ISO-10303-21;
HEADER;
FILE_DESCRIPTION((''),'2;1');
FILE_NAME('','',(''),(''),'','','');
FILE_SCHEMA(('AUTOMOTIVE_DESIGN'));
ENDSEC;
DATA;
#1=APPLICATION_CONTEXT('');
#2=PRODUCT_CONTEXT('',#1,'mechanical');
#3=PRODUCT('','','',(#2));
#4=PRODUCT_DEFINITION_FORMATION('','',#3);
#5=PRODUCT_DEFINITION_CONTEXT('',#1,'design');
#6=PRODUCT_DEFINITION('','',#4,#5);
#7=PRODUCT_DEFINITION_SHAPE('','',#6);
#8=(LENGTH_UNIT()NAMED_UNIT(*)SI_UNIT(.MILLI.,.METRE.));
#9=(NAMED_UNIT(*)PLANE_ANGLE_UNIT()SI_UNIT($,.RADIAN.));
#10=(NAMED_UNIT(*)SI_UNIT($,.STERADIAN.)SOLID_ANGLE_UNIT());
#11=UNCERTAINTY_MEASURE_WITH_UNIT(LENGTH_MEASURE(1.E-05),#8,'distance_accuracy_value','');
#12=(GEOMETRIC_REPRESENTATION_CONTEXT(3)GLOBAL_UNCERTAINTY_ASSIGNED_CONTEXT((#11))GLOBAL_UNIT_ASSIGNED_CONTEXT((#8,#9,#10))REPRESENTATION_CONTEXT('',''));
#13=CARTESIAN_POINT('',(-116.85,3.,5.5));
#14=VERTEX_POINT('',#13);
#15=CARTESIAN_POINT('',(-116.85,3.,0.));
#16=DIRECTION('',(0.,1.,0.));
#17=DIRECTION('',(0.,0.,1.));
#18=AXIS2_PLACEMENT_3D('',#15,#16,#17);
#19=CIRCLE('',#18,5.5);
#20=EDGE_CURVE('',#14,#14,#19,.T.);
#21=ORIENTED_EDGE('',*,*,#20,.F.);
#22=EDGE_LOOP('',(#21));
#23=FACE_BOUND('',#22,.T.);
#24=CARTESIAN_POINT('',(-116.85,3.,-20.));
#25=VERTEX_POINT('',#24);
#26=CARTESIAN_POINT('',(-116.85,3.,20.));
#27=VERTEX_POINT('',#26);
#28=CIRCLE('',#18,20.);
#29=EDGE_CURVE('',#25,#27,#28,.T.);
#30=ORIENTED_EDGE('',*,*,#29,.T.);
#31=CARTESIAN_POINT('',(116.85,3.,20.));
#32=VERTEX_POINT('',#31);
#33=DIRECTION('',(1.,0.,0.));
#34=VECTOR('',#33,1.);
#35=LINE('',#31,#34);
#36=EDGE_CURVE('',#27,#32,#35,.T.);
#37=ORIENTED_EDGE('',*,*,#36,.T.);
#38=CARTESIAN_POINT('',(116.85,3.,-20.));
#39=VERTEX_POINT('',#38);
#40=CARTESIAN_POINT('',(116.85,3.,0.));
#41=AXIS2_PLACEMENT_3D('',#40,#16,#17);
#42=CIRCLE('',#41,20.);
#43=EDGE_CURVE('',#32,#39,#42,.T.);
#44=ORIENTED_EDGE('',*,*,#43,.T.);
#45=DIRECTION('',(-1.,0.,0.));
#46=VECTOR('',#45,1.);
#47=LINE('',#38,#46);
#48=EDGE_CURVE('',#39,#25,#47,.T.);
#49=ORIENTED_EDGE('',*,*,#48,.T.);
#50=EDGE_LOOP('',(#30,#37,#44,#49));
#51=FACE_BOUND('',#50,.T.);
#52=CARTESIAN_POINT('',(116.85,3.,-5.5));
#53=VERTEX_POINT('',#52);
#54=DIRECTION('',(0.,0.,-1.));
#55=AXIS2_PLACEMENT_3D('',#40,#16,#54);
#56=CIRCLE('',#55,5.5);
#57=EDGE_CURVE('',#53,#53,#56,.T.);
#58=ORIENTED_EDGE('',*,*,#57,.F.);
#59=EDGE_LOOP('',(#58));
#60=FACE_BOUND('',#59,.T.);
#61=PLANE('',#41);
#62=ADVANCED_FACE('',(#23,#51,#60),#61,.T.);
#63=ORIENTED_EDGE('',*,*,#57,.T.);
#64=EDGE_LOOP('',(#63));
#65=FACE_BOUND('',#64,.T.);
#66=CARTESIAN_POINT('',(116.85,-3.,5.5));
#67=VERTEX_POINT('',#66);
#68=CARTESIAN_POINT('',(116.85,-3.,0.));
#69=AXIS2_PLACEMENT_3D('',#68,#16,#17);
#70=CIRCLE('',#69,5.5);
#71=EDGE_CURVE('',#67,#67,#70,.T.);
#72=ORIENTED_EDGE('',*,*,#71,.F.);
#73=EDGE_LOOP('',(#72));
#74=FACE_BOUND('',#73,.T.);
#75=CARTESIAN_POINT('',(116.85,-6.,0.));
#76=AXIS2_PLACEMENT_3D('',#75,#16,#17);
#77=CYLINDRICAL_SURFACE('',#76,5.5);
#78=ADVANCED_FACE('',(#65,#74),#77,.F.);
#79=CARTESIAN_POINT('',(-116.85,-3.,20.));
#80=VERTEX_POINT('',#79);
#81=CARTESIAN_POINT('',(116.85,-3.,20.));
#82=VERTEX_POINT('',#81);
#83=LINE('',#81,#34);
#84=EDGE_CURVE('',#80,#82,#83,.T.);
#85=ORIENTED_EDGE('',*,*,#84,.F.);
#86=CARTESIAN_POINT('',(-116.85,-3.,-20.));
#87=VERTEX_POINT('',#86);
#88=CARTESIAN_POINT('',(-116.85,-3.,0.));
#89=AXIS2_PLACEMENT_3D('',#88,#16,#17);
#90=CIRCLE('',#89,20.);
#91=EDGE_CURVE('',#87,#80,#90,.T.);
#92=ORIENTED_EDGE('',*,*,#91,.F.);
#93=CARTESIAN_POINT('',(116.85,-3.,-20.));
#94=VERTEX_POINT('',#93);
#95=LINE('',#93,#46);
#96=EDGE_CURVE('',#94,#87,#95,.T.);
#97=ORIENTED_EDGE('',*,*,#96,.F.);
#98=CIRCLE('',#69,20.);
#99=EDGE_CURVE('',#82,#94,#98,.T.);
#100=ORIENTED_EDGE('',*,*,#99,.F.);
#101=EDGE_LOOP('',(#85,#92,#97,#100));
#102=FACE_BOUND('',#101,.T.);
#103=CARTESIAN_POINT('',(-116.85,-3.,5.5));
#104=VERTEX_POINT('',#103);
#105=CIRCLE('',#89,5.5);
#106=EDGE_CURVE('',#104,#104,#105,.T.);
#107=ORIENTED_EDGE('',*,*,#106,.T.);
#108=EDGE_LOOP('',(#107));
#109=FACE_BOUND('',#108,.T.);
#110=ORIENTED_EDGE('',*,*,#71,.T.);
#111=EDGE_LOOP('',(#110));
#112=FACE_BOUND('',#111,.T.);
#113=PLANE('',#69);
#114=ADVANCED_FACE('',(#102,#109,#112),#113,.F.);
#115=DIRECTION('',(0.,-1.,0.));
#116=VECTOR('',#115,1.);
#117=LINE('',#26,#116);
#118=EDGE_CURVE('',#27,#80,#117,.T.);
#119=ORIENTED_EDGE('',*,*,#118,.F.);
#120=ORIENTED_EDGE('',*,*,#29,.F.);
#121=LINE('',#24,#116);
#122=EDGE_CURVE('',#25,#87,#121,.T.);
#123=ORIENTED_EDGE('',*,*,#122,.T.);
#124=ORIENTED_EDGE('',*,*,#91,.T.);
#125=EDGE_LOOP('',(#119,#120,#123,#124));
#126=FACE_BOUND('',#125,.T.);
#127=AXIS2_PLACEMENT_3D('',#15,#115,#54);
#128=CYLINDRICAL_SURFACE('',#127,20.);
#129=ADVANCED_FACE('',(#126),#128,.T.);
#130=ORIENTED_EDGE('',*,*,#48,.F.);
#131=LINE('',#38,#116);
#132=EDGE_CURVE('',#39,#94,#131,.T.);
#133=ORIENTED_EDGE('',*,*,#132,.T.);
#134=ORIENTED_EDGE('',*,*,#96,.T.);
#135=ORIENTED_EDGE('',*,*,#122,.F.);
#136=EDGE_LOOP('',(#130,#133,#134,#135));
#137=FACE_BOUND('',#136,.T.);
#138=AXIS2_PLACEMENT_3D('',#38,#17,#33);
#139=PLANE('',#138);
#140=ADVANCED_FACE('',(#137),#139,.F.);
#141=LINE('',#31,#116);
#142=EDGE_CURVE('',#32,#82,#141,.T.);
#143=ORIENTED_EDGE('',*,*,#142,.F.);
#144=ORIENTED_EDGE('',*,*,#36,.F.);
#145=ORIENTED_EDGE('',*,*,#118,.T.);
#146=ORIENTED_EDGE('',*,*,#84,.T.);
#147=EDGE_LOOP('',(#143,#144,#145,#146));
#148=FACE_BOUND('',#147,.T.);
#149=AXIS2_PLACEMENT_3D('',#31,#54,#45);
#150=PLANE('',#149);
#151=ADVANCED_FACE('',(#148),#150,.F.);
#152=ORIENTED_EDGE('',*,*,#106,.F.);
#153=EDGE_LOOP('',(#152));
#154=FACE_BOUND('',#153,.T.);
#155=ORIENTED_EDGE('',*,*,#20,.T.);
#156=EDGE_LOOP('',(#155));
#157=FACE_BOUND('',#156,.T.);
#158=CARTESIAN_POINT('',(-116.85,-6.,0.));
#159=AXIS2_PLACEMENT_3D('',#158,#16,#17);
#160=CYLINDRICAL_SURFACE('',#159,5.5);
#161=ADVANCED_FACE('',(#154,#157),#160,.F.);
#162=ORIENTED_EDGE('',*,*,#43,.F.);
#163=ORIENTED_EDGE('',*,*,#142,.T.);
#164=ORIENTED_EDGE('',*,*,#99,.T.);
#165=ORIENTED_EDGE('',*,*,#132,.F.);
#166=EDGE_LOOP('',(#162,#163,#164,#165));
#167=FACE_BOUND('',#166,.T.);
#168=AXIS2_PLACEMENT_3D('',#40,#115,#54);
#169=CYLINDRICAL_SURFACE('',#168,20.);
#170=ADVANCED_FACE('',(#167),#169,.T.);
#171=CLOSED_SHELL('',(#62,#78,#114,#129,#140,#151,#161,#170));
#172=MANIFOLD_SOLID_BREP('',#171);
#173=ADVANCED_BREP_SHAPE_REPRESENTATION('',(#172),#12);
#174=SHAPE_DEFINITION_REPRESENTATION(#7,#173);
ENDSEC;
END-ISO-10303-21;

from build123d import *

# Parameters (mm, degrees)
EXTRUDE_1_DEPTH     = 3
SKETCH_2_R          = 5.5
CUT_EXTRUDE_1_DEPTH = 9


with BuildPart() as part:
    # 草图1 → 凸台-拉伸1 (new, symmetric)
    with BuildSketch(Plane(origin=(0, 0, 0), x_dir=(1, 0, 0), z_dir=(0, 1, 0))):
        with BuildLine():
            Line((116.85, -20), (-116.85, -20))
            ThreePointArc((-116.85, -20), (-136.85, 0), (-116.85, 20))
            Line((-116.85, 20), (116.85, 20))
            ThreePointArc((116.85, 20), (136.85, 0), (116.85, -20))
        make_face()
    extrude(amount=EXTRUDE_1_DEPTH, both=True)

    # 草图2 → 切除-拉伸1 (cut)
    with BuildSketch(Plane(origin=(0, 3, 0), x_dir=(1, 0, 0), z_dir=(0, 1, 0))):
        with Locations(Location((-116.85, 0, 0), (0, 0, 270))):
            Circle(SKETCH_2_R)
        with Locations(Location((116.85, 0, 0), (0, 0, 270))):
            Circle(SKETCH_2_R)
    extrude(amount=-CUT_EXTRUDE_1_DEPTH, mode=Mode.SUBTRACT)


solid = part.part
